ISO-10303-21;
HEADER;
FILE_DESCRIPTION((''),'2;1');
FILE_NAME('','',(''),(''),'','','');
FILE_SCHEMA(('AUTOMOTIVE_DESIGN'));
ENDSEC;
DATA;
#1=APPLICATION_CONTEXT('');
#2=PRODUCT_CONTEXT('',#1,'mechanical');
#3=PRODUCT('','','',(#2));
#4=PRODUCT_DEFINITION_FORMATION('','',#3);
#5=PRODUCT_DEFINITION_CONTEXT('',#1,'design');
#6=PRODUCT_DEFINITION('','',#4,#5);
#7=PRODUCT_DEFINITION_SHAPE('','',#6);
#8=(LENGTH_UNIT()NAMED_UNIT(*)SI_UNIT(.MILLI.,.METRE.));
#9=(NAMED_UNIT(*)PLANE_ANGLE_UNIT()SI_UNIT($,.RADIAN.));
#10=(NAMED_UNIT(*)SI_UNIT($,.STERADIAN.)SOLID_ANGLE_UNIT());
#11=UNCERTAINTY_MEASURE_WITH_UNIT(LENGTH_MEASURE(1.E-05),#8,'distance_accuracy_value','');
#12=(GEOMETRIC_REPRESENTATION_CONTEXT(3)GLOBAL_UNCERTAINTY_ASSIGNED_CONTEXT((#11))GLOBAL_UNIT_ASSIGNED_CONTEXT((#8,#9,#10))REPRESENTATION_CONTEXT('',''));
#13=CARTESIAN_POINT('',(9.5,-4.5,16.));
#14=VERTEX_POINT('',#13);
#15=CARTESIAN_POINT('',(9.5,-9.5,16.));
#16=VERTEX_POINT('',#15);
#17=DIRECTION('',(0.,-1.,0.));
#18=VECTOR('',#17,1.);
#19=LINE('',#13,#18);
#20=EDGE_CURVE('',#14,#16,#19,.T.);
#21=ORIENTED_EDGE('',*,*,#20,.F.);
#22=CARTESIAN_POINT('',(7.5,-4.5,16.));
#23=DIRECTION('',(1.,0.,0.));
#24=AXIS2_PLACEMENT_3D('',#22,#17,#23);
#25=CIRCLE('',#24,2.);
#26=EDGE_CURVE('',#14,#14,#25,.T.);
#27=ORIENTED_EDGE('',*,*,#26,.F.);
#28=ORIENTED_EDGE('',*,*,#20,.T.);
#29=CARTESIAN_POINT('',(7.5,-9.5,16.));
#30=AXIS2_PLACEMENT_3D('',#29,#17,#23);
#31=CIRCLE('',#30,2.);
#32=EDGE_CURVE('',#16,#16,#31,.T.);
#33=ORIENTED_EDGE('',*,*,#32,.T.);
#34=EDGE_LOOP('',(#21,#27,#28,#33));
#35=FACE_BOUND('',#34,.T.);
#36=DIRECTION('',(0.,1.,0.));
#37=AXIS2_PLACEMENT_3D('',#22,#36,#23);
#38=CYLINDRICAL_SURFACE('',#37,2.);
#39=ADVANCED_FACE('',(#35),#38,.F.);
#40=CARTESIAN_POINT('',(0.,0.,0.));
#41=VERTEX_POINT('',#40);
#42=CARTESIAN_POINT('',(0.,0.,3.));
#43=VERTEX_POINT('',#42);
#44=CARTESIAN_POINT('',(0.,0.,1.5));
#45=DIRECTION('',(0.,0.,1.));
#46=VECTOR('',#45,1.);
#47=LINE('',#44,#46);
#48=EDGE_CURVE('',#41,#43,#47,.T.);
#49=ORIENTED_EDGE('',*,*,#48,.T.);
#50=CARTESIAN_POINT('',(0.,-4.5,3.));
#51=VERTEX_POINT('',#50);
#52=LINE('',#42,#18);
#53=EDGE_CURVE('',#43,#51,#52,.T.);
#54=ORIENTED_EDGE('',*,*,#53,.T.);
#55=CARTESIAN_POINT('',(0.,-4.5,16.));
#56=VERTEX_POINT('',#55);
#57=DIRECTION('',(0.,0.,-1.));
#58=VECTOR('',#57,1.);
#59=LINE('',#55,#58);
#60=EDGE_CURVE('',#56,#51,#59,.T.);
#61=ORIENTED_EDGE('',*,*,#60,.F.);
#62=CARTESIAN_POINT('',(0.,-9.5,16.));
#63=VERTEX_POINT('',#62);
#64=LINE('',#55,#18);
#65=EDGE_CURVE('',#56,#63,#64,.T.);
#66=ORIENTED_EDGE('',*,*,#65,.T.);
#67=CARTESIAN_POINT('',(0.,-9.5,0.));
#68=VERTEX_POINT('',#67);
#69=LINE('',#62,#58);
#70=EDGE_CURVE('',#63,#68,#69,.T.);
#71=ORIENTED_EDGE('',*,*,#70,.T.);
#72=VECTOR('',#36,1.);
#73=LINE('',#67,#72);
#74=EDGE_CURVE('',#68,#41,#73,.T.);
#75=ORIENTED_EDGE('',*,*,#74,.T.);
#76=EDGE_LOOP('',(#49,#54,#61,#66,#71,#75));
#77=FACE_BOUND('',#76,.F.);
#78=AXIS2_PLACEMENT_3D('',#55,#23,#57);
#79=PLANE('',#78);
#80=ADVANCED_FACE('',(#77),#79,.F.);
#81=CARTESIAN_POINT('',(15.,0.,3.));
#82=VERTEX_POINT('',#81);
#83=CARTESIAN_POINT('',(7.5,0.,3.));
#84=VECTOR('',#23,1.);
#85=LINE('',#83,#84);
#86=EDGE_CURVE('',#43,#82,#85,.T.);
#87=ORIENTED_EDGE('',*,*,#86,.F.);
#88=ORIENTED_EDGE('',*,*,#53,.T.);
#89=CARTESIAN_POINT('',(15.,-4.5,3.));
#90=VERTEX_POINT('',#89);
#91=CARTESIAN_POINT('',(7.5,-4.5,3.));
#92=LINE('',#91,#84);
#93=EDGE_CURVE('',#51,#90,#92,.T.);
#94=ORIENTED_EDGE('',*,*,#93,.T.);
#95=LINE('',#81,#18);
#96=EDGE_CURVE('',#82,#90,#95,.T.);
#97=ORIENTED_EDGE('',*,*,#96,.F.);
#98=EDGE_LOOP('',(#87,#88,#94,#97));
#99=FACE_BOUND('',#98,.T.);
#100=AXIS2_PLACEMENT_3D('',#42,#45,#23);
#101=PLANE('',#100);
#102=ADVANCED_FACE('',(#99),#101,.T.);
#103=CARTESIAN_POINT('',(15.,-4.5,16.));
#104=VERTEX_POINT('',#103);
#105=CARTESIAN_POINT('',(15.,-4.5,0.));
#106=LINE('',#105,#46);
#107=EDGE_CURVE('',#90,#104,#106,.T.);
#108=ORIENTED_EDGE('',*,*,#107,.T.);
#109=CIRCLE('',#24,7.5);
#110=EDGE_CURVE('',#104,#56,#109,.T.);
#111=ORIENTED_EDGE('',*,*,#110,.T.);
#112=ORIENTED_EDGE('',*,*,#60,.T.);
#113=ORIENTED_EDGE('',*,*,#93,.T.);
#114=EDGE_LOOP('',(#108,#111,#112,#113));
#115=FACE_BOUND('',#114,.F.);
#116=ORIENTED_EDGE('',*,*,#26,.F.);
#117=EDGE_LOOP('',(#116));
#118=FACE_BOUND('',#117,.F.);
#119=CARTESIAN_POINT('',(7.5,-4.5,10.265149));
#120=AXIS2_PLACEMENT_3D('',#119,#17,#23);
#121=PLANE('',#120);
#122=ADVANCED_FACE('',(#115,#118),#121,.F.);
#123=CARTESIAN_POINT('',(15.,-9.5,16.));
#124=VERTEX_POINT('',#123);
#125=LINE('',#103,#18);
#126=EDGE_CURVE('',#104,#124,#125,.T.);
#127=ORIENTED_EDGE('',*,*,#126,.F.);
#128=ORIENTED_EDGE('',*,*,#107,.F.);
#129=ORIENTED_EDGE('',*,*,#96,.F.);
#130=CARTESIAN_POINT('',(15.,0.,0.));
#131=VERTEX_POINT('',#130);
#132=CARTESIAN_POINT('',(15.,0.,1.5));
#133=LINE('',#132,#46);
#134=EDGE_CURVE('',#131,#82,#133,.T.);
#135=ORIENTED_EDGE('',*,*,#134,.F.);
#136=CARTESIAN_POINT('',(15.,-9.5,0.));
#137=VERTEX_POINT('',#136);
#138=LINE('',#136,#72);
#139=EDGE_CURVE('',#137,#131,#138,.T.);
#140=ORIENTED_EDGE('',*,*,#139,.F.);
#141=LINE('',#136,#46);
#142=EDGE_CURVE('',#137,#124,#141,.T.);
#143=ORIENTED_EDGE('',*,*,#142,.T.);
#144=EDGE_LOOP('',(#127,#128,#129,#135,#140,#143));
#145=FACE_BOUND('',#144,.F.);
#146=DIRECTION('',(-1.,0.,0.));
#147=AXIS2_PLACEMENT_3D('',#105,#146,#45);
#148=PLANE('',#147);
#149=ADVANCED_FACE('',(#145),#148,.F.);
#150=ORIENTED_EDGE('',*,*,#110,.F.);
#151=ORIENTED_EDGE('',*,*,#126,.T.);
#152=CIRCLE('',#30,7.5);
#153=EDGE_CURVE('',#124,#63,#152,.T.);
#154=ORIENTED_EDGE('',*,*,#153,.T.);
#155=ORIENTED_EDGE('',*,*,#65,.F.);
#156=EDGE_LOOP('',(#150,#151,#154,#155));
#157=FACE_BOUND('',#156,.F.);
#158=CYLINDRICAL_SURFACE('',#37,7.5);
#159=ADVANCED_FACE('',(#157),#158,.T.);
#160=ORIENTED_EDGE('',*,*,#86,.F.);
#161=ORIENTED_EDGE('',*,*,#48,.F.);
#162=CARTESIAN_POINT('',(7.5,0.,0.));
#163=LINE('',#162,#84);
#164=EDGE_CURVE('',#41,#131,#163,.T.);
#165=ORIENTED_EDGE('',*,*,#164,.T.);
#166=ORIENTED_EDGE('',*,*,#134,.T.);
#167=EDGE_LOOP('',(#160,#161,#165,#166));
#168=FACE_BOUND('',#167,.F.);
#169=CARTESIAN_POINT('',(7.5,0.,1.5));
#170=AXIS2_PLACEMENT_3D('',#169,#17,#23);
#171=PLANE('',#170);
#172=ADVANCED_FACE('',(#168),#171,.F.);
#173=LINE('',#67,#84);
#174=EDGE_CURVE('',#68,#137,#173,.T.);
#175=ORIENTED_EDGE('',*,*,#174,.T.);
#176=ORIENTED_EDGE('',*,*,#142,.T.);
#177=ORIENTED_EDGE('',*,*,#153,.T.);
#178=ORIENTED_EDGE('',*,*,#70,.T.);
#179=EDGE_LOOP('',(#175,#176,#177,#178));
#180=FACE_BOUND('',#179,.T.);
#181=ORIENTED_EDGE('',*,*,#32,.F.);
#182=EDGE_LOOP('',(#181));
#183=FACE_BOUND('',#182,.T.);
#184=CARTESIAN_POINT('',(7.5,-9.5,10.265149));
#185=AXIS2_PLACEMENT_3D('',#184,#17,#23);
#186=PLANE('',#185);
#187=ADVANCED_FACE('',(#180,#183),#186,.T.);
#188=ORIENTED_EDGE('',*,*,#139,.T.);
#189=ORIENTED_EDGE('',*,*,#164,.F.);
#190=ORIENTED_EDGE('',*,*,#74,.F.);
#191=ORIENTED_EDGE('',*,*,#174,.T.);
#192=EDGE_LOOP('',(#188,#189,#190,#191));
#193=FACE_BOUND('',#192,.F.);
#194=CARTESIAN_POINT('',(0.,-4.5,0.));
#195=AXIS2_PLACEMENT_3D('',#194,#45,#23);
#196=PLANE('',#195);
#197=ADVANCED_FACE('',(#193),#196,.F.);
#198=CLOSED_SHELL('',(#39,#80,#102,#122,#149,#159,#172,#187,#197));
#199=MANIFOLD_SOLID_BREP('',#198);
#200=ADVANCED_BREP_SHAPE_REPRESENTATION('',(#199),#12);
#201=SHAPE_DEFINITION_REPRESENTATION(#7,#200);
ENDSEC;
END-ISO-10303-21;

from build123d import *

# Parameters (mm, degrees)
F0_W     = 15
F0_H     = 3
F1_DEPTH = 4.5
F2_R     = 2
F3_DEPTH = 5


with BuildPart() as f1:
    # F0 (on Front) → F1 (new body)
    with BuildSketch(Plane.XZ):
        with Locations((7.5, 1.5)):
            Rectangle(F0_W, F0_H)
    extrude(amount=F1_DEPTH)

    # F2 (on face) → F3 (join)
    with BuildSketch(Plane.XZ.offset(4.5)):
        with BuildLine():
            Line((15, 0), (15, 16))
            ThreePointArc((15, 16), (7.5, 23.5), (0, 16))
            Line((0, 16), (0, 0))
            Line((0, 0), (15, 0))
        make_face()
        with Locations((7.5, 16)):
            Circle(F2_R, mode=Mode.SUBTRACT)
    extrude(amount=F3_DEPTH)


solid = f1.part
